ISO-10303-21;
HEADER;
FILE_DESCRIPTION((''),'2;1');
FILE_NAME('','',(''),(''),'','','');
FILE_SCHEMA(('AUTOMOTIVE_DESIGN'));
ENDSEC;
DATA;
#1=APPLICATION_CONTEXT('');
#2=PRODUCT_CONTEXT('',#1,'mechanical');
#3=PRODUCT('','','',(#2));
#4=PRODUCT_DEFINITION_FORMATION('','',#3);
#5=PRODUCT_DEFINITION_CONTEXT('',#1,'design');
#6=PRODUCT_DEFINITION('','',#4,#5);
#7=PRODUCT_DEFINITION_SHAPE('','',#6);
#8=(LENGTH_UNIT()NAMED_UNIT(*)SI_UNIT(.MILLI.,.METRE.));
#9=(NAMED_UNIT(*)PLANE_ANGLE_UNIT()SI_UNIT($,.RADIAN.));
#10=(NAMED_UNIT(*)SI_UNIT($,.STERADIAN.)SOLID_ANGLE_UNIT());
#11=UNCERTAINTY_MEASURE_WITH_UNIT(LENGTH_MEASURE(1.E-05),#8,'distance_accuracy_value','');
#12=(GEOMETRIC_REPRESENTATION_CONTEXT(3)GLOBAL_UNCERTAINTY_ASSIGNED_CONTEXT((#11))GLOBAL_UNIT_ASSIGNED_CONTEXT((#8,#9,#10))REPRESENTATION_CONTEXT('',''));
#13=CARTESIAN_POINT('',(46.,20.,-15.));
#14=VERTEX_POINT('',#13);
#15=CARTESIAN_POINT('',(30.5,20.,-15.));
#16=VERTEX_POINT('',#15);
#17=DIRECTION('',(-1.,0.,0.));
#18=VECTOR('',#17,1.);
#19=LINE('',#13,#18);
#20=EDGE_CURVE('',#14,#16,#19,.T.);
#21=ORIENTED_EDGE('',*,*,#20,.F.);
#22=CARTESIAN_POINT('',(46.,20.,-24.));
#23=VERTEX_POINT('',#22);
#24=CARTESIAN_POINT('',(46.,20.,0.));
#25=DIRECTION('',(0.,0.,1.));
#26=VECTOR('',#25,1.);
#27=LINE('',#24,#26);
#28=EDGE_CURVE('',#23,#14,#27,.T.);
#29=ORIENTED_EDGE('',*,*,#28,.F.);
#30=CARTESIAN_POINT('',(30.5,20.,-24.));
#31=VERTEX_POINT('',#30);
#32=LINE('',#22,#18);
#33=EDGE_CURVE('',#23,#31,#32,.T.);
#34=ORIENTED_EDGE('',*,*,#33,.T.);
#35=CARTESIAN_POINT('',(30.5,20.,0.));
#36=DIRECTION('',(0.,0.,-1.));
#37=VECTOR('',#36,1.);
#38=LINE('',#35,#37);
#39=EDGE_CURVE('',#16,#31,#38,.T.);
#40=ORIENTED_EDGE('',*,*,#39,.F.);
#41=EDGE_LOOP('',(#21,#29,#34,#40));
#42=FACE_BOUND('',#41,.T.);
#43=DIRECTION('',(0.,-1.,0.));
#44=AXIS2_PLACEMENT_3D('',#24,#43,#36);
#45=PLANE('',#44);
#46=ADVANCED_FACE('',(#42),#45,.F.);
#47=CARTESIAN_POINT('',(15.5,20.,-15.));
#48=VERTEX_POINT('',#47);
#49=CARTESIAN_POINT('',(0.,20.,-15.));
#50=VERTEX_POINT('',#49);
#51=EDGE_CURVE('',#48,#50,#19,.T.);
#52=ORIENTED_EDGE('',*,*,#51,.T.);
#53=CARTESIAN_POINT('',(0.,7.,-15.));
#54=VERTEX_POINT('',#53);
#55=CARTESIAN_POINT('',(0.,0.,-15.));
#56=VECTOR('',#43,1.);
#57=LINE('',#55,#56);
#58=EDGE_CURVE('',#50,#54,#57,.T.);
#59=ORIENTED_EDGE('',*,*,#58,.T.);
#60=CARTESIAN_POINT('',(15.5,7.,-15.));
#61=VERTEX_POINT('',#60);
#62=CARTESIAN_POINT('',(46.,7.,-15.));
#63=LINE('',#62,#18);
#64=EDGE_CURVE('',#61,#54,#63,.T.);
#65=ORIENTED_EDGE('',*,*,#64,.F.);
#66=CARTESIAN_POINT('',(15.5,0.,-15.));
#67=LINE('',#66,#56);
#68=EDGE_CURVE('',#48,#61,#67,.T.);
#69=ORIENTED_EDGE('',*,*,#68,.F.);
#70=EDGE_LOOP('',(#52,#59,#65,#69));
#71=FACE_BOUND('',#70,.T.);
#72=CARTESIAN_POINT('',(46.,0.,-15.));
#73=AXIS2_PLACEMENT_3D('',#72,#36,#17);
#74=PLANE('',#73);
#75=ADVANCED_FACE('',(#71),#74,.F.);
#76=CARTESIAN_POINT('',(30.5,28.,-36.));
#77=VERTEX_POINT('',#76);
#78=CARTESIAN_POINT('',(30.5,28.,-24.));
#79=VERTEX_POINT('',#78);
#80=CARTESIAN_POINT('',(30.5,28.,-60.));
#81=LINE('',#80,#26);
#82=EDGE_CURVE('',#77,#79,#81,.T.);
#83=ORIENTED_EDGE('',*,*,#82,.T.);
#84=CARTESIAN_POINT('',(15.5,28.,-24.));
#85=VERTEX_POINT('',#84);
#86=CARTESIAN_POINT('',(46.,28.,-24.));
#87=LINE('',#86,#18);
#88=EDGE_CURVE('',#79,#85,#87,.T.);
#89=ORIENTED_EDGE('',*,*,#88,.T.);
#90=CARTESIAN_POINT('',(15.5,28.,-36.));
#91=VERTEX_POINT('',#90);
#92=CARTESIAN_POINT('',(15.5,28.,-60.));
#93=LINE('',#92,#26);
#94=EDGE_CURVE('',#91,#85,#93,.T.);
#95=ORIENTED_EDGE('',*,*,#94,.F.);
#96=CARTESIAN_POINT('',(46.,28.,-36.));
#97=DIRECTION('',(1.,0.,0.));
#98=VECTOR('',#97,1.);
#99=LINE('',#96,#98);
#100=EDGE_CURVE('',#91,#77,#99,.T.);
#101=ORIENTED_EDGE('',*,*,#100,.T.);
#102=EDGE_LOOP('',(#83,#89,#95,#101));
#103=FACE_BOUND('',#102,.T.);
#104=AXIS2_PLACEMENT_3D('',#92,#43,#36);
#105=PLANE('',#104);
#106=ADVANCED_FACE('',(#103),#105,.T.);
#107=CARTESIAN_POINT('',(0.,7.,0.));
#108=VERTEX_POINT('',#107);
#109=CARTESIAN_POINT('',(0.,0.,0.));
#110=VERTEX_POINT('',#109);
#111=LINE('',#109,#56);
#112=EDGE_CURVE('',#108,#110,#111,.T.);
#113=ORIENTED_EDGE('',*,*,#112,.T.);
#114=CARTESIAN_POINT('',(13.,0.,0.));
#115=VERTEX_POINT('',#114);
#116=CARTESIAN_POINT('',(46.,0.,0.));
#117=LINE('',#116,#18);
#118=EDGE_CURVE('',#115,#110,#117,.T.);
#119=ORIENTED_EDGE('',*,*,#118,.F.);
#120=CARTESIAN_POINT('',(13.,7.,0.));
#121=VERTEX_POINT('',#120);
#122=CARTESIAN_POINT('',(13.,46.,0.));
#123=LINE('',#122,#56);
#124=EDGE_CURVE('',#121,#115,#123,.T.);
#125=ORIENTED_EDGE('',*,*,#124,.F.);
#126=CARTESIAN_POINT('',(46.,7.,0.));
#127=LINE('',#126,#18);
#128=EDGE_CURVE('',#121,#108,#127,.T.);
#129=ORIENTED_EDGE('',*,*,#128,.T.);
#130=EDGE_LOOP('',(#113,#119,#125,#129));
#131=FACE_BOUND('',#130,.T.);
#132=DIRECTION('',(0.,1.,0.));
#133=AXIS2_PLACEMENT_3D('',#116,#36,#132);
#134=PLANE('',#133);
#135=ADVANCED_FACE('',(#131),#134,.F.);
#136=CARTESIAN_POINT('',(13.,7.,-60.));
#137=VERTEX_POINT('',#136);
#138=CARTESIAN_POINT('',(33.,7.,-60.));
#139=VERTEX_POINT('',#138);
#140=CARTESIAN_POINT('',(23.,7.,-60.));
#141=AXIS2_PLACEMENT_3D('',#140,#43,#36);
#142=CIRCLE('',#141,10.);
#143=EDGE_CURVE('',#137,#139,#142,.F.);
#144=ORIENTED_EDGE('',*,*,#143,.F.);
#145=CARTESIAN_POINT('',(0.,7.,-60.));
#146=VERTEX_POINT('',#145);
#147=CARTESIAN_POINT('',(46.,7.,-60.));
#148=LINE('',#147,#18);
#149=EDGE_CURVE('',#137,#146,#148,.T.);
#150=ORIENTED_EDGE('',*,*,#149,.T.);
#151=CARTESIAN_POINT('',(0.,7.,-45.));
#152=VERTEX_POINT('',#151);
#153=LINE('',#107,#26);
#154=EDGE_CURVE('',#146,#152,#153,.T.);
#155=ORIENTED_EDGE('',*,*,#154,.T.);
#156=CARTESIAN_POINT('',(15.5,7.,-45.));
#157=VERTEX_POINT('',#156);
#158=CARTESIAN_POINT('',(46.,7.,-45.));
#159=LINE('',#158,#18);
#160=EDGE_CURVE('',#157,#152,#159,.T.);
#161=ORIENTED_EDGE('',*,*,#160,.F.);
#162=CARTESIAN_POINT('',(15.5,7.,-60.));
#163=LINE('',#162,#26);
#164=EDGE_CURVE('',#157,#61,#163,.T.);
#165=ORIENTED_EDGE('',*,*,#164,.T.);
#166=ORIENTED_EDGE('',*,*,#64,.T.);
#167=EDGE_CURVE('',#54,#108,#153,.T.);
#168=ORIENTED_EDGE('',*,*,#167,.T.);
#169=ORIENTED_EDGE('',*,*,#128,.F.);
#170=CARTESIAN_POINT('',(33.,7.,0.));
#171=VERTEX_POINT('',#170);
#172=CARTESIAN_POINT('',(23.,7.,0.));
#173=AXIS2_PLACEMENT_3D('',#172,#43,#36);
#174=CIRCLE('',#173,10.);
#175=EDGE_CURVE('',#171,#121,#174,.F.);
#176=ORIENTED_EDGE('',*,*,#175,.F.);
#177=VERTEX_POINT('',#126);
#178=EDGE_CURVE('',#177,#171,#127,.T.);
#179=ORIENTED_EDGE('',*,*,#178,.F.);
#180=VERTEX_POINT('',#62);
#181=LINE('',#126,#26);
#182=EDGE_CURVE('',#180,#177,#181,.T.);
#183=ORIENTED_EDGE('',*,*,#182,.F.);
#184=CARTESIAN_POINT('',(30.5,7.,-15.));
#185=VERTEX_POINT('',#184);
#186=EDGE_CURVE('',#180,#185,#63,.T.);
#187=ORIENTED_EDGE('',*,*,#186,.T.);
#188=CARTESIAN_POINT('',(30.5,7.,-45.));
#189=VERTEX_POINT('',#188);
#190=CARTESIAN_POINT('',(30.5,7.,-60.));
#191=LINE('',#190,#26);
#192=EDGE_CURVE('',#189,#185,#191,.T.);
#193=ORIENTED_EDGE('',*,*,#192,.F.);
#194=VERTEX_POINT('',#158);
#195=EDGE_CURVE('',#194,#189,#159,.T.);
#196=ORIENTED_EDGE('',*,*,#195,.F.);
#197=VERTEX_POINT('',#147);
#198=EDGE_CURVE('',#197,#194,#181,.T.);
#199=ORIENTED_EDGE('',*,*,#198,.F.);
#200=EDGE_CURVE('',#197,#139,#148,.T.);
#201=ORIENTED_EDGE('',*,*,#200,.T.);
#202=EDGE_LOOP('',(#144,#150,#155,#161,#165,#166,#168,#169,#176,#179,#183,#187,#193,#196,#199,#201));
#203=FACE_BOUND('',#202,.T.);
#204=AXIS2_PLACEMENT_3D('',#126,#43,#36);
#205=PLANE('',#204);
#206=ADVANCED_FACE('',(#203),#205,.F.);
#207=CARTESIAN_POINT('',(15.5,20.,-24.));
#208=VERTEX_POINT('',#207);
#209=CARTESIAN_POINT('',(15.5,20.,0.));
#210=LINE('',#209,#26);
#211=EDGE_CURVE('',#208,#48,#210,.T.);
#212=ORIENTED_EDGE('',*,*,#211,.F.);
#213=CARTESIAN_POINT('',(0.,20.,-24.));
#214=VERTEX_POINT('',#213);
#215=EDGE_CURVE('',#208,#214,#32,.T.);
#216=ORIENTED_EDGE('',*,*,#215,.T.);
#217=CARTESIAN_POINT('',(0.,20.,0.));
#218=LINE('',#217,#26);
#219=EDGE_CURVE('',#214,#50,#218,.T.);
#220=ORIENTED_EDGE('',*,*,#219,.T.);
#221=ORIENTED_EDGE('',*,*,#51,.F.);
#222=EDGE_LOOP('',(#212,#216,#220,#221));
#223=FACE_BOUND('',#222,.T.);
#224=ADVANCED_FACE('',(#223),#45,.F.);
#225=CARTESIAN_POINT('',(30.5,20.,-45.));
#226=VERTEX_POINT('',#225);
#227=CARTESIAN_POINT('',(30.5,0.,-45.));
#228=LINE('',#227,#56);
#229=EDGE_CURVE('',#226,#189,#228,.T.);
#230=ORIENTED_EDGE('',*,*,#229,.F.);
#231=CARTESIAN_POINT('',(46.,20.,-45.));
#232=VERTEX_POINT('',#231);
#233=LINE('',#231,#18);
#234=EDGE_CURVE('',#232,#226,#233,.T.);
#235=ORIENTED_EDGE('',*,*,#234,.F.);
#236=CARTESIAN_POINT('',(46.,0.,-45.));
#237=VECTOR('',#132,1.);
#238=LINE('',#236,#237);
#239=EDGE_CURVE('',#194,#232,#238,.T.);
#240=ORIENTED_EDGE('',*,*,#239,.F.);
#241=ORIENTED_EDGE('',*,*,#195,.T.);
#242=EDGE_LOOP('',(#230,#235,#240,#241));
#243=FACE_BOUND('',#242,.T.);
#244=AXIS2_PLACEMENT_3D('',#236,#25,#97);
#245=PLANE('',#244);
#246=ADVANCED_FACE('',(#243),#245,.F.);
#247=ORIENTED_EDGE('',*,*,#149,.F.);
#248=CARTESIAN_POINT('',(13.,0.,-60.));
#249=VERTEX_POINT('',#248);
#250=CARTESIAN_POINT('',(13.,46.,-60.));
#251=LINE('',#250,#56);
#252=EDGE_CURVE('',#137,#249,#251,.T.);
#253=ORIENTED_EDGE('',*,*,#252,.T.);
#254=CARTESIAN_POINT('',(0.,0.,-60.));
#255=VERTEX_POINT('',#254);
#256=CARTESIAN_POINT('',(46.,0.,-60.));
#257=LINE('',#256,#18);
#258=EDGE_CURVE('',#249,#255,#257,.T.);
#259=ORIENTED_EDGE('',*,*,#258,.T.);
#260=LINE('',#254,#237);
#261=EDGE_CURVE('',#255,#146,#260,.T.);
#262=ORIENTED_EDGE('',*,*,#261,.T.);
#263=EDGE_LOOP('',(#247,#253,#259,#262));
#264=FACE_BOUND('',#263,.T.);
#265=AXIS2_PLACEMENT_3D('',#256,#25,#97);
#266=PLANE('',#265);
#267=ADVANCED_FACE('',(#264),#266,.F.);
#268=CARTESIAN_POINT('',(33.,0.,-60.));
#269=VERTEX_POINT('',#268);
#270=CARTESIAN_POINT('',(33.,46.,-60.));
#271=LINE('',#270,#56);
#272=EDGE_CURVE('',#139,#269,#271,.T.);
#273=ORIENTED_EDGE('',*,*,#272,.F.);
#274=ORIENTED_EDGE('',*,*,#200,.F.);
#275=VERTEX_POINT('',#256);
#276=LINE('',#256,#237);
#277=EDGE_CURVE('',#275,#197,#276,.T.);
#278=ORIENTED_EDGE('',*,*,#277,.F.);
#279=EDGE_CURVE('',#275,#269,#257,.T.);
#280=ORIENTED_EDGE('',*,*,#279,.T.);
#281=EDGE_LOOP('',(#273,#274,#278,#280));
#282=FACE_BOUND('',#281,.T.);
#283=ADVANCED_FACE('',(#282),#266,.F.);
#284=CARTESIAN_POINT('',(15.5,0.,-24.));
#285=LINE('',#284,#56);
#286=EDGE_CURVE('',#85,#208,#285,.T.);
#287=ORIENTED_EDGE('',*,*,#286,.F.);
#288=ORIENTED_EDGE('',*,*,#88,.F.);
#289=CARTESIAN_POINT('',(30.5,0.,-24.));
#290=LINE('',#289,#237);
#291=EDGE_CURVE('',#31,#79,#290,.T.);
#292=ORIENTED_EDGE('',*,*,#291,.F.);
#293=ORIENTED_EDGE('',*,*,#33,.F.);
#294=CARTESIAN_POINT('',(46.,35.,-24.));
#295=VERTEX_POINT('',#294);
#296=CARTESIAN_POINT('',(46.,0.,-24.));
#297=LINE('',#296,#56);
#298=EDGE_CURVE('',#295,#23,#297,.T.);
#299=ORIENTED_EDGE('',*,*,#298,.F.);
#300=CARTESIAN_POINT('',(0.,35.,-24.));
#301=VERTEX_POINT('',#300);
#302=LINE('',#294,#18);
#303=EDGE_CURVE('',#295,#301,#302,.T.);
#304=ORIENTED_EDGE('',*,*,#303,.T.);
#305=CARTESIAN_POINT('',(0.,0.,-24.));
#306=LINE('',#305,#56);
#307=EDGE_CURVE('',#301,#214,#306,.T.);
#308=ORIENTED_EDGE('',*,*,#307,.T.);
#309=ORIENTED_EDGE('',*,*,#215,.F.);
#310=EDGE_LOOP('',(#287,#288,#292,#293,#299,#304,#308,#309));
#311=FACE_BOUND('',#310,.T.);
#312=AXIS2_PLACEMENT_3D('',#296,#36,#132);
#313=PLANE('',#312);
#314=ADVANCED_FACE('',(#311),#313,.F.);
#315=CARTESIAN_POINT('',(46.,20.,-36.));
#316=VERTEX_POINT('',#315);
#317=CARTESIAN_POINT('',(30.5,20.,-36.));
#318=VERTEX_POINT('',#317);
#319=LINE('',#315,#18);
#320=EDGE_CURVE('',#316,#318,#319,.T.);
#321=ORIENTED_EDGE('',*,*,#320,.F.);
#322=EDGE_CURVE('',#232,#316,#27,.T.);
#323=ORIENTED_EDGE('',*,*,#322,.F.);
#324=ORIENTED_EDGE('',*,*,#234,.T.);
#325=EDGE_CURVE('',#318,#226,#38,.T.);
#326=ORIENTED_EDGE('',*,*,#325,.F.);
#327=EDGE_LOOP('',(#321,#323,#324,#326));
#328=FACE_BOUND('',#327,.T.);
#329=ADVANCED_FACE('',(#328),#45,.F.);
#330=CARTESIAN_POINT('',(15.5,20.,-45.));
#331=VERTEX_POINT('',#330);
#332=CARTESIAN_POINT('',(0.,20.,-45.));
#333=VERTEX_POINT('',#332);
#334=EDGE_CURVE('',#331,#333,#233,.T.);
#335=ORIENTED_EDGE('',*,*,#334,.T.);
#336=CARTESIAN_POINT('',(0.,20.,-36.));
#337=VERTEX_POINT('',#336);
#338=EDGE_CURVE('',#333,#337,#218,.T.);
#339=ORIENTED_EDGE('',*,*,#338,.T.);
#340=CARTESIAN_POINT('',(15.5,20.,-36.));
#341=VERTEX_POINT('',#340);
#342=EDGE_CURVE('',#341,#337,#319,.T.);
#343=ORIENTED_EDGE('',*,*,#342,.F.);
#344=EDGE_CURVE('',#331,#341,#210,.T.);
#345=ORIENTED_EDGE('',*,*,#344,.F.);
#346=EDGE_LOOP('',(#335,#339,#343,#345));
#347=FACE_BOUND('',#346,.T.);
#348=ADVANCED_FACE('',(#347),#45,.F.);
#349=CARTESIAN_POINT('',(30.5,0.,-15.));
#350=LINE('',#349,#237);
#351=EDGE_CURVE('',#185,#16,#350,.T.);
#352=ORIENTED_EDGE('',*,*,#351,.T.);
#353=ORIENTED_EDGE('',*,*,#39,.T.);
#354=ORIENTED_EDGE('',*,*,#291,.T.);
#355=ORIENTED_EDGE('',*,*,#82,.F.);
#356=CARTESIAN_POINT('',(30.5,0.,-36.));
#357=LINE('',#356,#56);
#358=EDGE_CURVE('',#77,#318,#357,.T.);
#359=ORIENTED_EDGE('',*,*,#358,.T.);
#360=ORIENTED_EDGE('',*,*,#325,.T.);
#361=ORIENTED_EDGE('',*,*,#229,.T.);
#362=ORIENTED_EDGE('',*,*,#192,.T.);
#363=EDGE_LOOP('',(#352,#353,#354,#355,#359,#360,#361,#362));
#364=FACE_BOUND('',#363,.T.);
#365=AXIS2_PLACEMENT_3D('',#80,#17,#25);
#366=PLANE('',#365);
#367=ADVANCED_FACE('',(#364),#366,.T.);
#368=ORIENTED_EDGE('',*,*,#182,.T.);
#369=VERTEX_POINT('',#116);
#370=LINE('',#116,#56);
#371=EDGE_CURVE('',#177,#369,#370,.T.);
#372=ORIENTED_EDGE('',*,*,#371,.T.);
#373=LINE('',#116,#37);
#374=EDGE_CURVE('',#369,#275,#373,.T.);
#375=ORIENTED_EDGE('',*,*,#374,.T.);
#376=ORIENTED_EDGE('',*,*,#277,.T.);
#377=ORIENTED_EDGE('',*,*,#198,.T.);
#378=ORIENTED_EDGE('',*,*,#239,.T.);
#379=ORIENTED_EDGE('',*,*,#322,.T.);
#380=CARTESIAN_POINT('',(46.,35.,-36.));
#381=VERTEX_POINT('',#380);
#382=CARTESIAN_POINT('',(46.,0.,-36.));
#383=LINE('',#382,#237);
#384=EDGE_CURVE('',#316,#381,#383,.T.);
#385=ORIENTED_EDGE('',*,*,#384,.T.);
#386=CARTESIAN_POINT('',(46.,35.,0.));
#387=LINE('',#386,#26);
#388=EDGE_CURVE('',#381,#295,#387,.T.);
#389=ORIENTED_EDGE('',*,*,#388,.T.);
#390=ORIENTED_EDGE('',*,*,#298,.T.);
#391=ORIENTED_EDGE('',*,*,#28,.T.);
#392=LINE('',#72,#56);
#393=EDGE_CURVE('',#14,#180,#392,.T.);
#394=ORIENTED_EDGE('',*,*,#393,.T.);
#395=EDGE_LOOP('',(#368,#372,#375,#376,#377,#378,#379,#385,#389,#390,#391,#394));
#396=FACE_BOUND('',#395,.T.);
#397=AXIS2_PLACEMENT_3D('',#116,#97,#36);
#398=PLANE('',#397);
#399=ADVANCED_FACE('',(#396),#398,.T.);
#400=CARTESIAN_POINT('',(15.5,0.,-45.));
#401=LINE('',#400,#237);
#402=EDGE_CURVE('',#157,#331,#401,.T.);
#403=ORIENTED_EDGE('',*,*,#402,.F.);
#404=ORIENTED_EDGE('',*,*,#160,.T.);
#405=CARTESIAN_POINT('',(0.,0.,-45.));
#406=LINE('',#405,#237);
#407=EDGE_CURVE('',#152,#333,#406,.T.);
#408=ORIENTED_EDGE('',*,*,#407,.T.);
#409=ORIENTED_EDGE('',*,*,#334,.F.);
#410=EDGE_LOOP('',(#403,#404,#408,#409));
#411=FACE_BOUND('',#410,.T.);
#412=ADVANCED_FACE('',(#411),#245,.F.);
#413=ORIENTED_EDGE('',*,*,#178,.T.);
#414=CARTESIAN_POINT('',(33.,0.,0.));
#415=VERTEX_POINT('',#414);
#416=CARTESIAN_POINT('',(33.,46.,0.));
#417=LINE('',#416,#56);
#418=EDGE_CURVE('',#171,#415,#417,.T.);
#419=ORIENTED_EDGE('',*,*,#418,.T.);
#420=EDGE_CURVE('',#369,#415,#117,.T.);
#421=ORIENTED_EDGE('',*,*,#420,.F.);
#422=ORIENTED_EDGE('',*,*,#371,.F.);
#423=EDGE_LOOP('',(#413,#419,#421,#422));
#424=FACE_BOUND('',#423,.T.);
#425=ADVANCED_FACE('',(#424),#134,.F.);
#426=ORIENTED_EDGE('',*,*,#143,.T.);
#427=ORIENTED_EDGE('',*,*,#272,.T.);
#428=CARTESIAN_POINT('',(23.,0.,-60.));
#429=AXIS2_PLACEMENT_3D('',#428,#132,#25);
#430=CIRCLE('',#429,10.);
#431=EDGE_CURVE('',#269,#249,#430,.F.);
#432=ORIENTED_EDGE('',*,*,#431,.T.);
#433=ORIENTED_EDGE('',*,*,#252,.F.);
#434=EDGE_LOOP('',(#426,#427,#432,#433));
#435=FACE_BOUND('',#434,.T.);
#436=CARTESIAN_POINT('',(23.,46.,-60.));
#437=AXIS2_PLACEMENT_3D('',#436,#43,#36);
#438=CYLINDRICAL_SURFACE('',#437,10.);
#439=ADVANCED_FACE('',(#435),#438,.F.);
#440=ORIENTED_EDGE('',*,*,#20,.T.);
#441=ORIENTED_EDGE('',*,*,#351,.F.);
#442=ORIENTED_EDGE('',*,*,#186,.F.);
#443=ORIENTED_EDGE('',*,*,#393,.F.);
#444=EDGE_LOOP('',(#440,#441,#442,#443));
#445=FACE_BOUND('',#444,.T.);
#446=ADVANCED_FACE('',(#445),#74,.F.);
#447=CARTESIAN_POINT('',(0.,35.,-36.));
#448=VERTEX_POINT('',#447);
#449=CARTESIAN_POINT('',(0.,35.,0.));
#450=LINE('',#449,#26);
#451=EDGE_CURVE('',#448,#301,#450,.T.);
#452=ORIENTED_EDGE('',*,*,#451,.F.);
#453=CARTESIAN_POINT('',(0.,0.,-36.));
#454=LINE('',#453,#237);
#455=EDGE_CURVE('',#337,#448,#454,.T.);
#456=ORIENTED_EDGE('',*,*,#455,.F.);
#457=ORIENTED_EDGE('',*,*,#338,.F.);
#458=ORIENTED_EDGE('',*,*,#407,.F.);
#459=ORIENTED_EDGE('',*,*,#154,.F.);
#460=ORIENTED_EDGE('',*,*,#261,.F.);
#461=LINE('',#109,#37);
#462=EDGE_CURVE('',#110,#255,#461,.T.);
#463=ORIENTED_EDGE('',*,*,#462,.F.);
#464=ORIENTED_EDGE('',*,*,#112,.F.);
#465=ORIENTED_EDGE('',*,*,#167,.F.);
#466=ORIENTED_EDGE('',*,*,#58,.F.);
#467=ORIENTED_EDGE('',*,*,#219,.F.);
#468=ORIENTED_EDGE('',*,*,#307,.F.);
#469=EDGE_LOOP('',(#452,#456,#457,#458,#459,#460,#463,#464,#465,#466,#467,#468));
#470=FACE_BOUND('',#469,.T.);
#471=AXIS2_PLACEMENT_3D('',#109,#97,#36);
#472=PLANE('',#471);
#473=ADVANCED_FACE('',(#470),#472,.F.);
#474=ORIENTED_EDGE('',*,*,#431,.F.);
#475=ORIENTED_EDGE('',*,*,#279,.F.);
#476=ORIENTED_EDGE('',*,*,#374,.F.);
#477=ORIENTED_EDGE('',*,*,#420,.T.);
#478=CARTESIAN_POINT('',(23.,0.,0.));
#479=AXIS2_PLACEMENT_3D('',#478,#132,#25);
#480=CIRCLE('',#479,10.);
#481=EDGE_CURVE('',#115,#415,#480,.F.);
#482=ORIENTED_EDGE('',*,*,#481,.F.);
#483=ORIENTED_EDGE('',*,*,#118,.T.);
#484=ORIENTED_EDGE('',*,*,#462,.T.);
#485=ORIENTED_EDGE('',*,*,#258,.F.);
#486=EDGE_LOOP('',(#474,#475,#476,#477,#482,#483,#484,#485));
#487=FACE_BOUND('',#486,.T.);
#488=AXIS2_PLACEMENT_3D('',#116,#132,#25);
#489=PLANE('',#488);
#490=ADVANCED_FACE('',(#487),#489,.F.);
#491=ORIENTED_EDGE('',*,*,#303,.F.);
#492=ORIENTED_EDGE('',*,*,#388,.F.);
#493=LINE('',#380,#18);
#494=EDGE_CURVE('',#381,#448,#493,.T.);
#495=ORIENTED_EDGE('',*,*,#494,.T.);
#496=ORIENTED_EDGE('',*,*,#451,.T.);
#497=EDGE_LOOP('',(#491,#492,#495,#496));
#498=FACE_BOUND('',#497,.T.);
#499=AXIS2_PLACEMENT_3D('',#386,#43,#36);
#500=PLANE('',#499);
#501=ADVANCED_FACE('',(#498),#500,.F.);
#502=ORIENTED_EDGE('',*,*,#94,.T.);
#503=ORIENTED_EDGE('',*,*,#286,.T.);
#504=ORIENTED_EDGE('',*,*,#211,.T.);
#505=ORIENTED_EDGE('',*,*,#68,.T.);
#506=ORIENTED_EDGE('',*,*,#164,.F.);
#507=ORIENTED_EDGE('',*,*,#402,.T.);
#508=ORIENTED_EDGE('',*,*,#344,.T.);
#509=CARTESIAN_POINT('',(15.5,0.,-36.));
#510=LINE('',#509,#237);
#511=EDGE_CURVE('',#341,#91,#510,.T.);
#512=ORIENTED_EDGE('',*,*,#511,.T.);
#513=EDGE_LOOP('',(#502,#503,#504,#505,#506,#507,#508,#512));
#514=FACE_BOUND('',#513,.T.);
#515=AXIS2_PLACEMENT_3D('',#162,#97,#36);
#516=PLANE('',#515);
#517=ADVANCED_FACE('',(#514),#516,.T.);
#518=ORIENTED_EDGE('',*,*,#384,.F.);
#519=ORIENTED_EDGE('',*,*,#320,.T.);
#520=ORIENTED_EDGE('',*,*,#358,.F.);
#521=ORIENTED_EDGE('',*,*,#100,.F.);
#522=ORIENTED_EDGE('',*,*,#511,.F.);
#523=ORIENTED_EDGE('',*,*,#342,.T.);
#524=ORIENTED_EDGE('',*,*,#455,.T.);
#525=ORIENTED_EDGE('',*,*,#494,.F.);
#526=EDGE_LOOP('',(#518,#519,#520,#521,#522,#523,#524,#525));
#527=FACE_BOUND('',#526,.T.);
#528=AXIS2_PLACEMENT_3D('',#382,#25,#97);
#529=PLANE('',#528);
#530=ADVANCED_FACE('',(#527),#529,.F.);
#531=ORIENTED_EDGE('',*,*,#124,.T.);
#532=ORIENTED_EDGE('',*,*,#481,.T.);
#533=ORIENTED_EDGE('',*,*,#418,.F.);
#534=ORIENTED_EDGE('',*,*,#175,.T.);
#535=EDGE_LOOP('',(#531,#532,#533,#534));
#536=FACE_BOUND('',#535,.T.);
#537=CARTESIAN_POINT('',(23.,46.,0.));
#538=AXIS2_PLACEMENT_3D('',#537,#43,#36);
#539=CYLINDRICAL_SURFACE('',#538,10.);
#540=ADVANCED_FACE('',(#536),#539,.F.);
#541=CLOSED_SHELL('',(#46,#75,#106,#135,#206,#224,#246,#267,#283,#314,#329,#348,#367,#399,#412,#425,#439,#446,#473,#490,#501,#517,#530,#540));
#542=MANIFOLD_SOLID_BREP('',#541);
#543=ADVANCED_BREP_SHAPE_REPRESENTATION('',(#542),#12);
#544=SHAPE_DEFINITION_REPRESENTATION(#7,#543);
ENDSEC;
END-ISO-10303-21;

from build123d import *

# Parameters (mm, degrees)
SKETCH1_W               = 12
SKETCH1_H               = 7
BOSS_EXTRUDE1_DEPTH     = 46
CUT_EXTRUDE2_DEPTH      = 46
CUT_EXTRUDE2_DEPTH_BACK = 46
SKETCH6_W               = 15
SKETCH6_H               = 21
CUT_EXTRUDE3_DEPTH      = 60


with BuildPart() as part:
    # Sketch1 → Boss-Extrude1 (new body)
    with BuildSketch(Plane(origin=(0, 0, 0), x_dir=(0, 0, -1), z_dir=(1, 0, 0))):
        with Locations((30, 31.5)):
            Rectangle(SKETCH1_W, SKETCH1_H)
        Polygon((0, 7), (0, 0), (60, 0), (60, 7), (45, 7), (45, 20), (36, 20), (36, 28), (24, 28), (24, 20), (15, 20), (15, 7), align=None)
    extrude(amount=BOSS_EXTRUDE1_DEPTH)

    # Sketch2 → Cut-Extrude2 (cut, two sides: drawn at the far end of the back side and taken through both)
    with BuildSketch(Plane(origin=(0, 0, 0), x_dir=(1, 0, 0), z_dir=(0, 1, 0)).offset(-CUT_EXTRUDE2_DEPTH_BACK)):
        with BuildLine():
            ThreePointArc((33, 0), (23, 10), (13, 0))
            Line((13, 0), (33, 0))
        make_face()
        with BuildLine():
            Line((33, 0), (13, 0))
            ThreePointArc((13, 0), (23, -10), (33, 0))
        make_face()
        with BuildLine():
            ThreePointArc((33, 60), (23, 70), (13, 60))
            Line((13, 60), (33, 60))
        make_face()
        with BuildLine():
            Line((33, 60), (13, 60))
            ThreePointArc((13, 60), (23, 50), (33, 60))
        make_face()
    extrude(amount=CUT_EXTRUDE2_DEPTH + CUT_EXTRUDE2_DEPTH_BACK, mode=Mode.SUBTRACT)

    # Sketch6 → Cut-Extrude3 (cut)
    with BuildSketch(Plane.XY):
        with Locations((23, 17.5)):
            Rectangle(SKETCH6_W, SKETCH6_H)
    extrude(amount=-CUT_EXTRUDE3_DEPTH, mode=Mode.SUBTRACT)


solid = part.part
